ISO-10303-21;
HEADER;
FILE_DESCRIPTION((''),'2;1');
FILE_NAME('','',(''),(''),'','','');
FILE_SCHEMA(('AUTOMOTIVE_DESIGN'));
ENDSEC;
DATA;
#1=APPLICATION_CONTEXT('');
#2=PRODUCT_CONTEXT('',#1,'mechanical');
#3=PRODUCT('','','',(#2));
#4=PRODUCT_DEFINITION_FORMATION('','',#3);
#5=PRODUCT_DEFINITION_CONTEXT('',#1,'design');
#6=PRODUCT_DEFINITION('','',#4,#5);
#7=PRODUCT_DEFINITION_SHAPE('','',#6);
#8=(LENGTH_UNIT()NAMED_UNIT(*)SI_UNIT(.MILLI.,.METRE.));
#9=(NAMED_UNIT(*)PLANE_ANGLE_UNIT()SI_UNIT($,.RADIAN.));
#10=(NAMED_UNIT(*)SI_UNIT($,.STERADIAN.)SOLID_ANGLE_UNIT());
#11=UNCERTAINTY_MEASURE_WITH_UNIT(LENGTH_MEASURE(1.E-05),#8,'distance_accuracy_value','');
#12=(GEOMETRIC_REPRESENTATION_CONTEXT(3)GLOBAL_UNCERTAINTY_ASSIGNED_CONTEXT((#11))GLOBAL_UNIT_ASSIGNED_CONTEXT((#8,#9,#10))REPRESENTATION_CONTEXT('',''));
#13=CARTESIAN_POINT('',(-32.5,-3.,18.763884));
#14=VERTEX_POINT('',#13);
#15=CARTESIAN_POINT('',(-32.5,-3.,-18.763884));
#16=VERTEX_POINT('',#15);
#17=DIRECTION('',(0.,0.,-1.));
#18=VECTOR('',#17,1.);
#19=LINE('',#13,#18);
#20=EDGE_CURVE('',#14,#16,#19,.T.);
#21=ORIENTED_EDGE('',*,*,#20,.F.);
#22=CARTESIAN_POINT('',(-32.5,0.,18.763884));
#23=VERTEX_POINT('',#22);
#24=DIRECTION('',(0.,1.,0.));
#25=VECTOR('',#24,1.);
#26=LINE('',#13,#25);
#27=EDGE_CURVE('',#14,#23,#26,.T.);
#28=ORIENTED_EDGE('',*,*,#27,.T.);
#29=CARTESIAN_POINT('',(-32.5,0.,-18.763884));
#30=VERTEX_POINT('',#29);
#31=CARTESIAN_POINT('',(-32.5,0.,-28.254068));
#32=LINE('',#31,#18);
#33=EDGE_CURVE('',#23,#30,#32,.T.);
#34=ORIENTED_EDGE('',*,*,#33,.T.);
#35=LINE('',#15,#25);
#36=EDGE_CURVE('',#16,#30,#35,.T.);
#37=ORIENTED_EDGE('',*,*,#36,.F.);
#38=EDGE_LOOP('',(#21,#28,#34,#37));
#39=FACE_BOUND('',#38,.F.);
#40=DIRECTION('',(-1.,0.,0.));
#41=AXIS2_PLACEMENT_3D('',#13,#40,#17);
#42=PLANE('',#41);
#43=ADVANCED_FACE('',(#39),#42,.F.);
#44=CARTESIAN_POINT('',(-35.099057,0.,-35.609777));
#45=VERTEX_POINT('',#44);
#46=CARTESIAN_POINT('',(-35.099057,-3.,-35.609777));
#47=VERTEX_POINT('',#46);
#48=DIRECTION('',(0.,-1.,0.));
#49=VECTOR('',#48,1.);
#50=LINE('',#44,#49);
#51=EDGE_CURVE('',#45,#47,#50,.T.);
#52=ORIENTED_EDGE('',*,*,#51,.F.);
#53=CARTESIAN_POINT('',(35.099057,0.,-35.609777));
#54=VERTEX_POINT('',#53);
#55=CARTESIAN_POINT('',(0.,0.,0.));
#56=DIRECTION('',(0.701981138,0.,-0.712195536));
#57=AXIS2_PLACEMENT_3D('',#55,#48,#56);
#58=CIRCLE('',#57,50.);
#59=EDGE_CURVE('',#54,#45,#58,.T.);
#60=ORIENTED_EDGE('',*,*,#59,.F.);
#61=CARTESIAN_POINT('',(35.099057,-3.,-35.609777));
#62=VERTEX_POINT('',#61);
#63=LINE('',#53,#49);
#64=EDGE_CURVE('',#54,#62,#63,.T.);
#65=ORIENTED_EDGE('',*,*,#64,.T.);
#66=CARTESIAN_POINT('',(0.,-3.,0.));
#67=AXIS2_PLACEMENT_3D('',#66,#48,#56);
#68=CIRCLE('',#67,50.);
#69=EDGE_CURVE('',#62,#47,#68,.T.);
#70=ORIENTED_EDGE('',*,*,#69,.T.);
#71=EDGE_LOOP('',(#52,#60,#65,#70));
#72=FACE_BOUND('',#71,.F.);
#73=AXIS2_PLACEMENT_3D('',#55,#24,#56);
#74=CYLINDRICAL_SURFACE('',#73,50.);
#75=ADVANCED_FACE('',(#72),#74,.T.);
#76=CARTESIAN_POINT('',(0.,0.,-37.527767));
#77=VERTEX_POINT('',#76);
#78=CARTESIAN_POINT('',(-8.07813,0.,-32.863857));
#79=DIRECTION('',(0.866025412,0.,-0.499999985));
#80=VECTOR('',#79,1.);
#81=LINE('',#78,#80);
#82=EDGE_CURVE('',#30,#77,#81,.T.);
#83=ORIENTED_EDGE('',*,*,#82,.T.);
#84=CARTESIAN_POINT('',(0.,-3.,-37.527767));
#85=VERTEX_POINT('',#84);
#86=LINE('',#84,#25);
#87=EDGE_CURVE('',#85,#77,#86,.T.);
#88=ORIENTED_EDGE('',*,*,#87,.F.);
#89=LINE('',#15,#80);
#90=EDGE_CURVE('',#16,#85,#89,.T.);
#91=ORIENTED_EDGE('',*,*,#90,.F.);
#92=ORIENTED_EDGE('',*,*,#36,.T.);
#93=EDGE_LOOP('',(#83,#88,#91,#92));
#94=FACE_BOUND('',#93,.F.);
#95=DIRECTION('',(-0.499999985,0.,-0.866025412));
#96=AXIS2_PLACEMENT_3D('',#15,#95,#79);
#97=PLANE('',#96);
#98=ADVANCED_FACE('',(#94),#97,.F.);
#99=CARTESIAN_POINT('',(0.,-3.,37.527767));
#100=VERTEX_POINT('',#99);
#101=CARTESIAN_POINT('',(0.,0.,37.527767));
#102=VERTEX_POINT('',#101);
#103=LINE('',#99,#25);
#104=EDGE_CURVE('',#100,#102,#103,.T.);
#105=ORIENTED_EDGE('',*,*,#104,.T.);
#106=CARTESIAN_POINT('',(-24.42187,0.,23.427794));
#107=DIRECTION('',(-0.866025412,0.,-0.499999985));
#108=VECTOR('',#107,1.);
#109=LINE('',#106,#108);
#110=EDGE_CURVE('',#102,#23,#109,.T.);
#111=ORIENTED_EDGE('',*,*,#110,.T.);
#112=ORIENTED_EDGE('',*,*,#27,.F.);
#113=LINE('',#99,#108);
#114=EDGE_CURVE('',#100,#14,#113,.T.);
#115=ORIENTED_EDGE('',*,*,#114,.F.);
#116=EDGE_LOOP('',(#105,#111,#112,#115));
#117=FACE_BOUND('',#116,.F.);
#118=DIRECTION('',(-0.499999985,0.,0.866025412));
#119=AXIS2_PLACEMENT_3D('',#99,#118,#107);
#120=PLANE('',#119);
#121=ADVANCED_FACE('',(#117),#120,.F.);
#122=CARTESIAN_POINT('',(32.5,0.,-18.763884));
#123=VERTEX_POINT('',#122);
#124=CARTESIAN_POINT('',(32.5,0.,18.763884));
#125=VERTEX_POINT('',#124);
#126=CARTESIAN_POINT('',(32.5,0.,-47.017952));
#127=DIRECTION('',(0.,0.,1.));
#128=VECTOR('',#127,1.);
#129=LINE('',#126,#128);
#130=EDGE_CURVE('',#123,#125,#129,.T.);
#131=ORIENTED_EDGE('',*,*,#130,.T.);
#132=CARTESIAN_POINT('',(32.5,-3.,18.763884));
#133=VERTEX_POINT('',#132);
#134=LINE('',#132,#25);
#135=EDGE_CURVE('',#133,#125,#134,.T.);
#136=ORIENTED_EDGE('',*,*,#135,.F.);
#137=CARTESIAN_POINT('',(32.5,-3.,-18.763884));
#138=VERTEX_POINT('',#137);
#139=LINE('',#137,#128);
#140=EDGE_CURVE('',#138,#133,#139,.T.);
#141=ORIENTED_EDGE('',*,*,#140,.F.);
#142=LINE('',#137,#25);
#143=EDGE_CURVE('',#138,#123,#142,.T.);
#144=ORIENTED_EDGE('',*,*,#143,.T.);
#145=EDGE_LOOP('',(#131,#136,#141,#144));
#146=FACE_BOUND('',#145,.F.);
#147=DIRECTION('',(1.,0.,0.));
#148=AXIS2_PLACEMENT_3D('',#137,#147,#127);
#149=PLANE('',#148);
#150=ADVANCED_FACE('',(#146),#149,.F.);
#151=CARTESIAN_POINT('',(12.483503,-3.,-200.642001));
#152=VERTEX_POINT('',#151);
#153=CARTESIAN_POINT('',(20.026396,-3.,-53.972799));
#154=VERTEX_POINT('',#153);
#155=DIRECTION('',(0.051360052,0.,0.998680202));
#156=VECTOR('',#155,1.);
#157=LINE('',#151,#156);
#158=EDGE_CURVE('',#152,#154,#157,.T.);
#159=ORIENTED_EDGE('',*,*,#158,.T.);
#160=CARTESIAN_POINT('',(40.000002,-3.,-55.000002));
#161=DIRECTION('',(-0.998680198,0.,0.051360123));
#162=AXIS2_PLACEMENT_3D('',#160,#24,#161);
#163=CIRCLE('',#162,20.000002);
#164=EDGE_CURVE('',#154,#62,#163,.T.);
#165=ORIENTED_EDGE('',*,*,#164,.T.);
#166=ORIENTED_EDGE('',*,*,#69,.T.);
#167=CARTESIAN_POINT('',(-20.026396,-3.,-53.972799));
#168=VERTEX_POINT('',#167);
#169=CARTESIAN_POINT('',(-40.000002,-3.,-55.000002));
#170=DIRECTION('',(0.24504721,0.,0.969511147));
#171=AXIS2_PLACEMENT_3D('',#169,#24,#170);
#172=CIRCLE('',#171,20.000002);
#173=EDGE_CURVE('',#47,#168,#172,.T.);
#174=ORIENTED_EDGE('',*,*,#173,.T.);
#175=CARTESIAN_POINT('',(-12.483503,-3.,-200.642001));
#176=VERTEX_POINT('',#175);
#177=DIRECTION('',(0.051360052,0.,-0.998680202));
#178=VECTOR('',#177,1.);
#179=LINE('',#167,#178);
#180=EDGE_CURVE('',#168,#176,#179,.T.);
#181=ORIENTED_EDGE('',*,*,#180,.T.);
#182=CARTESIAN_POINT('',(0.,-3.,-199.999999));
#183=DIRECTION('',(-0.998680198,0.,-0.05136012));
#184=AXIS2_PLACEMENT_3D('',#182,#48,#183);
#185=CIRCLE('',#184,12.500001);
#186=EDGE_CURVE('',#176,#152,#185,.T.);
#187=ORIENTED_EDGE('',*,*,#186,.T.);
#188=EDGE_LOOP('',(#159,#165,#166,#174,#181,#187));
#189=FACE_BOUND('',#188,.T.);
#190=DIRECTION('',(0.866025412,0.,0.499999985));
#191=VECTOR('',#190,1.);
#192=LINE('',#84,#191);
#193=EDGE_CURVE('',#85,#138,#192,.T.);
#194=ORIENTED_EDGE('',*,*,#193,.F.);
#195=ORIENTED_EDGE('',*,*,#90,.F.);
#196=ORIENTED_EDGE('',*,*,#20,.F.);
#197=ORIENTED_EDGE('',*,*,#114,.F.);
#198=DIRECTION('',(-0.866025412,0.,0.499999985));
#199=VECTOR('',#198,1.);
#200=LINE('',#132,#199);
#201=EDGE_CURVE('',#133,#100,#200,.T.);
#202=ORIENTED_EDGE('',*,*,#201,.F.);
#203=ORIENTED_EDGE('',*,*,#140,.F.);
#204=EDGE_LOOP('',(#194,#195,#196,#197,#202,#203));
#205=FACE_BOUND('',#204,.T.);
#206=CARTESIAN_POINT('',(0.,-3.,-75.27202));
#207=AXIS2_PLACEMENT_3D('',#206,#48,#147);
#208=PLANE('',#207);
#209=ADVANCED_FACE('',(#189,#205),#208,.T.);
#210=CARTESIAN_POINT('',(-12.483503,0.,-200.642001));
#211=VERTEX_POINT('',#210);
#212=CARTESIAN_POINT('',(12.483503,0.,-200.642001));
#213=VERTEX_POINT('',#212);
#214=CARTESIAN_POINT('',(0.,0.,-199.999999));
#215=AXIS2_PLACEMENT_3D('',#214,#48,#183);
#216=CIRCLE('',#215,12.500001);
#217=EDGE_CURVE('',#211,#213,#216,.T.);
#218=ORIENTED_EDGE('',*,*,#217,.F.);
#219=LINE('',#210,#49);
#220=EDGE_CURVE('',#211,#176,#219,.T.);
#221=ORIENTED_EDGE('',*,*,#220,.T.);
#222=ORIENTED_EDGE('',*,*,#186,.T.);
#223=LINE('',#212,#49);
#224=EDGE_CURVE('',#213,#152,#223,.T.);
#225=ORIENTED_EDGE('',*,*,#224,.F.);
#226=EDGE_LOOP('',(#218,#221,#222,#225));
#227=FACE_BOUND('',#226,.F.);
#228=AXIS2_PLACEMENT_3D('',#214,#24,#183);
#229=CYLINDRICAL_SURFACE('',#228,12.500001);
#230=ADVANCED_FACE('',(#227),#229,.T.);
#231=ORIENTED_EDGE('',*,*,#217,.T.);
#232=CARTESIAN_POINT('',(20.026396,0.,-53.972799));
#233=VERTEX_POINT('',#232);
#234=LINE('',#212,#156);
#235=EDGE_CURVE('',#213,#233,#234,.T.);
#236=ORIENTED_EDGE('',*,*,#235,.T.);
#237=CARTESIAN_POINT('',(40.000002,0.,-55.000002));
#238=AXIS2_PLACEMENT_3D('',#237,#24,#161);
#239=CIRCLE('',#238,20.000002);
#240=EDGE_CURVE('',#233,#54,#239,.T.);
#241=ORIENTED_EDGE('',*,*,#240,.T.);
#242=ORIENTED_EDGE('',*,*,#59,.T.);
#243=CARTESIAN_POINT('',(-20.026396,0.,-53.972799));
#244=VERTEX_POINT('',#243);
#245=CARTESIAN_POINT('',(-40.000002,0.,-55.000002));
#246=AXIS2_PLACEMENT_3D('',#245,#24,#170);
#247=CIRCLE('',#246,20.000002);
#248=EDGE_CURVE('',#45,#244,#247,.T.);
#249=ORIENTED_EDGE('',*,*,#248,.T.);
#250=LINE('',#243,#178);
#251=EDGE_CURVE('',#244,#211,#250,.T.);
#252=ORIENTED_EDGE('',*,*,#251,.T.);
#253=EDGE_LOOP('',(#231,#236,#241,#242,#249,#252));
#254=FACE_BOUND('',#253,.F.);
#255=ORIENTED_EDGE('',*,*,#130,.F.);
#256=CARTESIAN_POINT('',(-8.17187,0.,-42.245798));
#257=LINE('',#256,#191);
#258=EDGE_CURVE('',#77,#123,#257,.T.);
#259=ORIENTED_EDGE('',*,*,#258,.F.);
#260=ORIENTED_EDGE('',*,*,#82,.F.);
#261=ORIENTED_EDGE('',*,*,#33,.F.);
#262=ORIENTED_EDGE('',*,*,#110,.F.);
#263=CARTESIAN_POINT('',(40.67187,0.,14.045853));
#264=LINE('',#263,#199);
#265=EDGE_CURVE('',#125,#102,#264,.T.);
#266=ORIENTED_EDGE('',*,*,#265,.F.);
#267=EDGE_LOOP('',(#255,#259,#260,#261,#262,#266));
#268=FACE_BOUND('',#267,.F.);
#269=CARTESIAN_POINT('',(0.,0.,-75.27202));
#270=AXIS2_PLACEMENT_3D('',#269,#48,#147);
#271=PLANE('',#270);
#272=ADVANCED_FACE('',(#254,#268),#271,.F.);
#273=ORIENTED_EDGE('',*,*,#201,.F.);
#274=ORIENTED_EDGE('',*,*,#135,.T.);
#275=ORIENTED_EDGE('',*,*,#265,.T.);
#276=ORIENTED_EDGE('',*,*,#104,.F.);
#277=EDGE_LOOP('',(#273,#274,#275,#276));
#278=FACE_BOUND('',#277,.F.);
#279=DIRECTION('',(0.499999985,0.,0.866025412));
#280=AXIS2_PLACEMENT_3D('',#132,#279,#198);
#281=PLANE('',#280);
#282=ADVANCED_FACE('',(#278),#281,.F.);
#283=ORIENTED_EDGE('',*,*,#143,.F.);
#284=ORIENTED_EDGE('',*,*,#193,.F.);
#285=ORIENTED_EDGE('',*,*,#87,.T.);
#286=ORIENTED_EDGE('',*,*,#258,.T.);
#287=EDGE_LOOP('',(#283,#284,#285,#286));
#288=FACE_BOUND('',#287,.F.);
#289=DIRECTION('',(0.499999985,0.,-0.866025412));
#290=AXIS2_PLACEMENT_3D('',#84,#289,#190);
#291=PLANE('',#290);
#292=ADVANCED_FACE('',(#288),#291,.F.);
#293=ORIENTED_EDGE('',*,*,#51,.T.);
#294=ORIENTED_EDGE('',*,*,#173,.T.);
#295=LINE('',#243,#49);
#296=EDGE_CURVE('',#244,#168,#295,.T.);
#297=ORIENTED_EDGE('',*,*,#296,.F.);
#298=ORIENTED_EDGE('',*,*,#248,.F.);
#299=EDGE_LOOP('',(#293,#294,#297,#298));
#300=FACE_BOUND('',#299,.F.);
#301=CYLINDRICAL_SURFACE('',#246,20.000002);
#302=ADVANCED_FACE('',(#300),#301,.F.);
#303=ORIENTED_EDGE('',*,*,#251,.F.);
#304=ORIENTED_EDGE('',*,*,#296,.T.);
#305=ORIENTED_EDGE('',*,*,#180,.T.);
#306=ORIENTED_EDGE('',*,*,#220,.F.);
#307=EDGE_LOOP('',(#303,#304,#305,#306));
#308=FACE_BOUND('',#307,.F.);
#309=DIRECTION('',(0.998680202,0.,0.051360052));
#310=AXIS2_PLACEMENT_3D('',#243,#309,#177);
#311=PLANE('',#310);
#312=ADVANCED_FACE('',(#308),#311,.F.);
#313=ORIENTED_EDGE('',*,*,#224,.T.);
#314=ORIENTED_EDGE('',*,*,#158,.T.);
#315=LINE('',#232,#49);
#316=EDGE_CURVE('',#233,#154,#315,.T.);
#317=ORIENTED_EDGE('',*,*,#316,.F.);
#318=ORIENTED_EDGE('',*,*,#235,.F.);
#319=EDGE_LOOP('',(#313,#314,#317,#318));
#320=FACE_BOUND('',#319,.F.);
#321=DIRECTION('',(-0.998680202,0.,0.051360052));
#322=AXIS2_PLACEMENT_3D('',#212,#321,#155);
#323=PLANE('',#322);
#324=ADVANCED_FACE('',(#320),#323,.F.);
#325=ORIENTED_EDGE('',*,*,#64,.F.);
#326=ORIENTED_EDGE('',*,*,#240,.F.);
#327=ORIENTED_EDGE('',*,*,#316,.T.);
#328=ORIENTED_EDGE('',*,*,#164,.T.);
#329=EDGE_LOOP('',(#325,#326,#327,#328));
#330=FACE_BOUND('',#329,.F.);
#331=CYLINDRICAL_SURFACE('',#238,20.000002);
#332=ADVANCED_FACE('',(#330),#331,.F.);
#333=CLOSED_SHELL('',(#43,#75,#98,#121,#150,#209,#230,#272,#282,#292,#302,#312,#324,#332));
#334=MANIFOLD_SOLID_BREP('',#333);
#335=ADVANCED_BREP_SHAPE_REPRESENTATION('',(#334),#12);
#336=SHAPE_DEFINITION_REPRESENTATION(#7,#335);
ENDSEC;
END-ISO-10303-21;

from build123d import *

# Parameters (mm, degrees)
F1_DEPTH = 3
F3_DEPTH = 25


with BuildPart() as f1:
    # F0 (on Front) → F1 (new body)
    with BuildSketch(Plane.XZ):
        with BuildLine():
            ThreePointArc((-35.099057, -35.609777), (-24.540831, -42.310868), (-20.026396, -53.972799))
            Line((-20.026396, -53.972799), (-12.483503, -200.642001))
            ThreePointArc((-12.483503, -200.642001), (0, -212.5), (12.483503, -200.642001))
            Line((12.483503, -200.642001), (20.026396, -53.972799))
            ThreePointArc((20.026396, -53.972799), (24.540831, -42.310868), (35.099057, -35.609777))
            ThreePointArc((35.099057, -35.609777), (0, 50), (-35.099057, -35.609777))
        make_face()
    extrude(amount=F1_DEPTH)

    # F2 (on face) → F3 (cut)
    with BuildSketch(Plane.XZ.offset(3)):
        Polygon((-32.5, 18.763884), (-32.5, -18.763884), (0, -37.527767), (32.5, -18.763884), (32.5, 18.763884), (0, 37.527767), align=None)
    extrude(amount=-F3_DEPTH, mode=Mode.SUBTRACT)


solid = f1.part
